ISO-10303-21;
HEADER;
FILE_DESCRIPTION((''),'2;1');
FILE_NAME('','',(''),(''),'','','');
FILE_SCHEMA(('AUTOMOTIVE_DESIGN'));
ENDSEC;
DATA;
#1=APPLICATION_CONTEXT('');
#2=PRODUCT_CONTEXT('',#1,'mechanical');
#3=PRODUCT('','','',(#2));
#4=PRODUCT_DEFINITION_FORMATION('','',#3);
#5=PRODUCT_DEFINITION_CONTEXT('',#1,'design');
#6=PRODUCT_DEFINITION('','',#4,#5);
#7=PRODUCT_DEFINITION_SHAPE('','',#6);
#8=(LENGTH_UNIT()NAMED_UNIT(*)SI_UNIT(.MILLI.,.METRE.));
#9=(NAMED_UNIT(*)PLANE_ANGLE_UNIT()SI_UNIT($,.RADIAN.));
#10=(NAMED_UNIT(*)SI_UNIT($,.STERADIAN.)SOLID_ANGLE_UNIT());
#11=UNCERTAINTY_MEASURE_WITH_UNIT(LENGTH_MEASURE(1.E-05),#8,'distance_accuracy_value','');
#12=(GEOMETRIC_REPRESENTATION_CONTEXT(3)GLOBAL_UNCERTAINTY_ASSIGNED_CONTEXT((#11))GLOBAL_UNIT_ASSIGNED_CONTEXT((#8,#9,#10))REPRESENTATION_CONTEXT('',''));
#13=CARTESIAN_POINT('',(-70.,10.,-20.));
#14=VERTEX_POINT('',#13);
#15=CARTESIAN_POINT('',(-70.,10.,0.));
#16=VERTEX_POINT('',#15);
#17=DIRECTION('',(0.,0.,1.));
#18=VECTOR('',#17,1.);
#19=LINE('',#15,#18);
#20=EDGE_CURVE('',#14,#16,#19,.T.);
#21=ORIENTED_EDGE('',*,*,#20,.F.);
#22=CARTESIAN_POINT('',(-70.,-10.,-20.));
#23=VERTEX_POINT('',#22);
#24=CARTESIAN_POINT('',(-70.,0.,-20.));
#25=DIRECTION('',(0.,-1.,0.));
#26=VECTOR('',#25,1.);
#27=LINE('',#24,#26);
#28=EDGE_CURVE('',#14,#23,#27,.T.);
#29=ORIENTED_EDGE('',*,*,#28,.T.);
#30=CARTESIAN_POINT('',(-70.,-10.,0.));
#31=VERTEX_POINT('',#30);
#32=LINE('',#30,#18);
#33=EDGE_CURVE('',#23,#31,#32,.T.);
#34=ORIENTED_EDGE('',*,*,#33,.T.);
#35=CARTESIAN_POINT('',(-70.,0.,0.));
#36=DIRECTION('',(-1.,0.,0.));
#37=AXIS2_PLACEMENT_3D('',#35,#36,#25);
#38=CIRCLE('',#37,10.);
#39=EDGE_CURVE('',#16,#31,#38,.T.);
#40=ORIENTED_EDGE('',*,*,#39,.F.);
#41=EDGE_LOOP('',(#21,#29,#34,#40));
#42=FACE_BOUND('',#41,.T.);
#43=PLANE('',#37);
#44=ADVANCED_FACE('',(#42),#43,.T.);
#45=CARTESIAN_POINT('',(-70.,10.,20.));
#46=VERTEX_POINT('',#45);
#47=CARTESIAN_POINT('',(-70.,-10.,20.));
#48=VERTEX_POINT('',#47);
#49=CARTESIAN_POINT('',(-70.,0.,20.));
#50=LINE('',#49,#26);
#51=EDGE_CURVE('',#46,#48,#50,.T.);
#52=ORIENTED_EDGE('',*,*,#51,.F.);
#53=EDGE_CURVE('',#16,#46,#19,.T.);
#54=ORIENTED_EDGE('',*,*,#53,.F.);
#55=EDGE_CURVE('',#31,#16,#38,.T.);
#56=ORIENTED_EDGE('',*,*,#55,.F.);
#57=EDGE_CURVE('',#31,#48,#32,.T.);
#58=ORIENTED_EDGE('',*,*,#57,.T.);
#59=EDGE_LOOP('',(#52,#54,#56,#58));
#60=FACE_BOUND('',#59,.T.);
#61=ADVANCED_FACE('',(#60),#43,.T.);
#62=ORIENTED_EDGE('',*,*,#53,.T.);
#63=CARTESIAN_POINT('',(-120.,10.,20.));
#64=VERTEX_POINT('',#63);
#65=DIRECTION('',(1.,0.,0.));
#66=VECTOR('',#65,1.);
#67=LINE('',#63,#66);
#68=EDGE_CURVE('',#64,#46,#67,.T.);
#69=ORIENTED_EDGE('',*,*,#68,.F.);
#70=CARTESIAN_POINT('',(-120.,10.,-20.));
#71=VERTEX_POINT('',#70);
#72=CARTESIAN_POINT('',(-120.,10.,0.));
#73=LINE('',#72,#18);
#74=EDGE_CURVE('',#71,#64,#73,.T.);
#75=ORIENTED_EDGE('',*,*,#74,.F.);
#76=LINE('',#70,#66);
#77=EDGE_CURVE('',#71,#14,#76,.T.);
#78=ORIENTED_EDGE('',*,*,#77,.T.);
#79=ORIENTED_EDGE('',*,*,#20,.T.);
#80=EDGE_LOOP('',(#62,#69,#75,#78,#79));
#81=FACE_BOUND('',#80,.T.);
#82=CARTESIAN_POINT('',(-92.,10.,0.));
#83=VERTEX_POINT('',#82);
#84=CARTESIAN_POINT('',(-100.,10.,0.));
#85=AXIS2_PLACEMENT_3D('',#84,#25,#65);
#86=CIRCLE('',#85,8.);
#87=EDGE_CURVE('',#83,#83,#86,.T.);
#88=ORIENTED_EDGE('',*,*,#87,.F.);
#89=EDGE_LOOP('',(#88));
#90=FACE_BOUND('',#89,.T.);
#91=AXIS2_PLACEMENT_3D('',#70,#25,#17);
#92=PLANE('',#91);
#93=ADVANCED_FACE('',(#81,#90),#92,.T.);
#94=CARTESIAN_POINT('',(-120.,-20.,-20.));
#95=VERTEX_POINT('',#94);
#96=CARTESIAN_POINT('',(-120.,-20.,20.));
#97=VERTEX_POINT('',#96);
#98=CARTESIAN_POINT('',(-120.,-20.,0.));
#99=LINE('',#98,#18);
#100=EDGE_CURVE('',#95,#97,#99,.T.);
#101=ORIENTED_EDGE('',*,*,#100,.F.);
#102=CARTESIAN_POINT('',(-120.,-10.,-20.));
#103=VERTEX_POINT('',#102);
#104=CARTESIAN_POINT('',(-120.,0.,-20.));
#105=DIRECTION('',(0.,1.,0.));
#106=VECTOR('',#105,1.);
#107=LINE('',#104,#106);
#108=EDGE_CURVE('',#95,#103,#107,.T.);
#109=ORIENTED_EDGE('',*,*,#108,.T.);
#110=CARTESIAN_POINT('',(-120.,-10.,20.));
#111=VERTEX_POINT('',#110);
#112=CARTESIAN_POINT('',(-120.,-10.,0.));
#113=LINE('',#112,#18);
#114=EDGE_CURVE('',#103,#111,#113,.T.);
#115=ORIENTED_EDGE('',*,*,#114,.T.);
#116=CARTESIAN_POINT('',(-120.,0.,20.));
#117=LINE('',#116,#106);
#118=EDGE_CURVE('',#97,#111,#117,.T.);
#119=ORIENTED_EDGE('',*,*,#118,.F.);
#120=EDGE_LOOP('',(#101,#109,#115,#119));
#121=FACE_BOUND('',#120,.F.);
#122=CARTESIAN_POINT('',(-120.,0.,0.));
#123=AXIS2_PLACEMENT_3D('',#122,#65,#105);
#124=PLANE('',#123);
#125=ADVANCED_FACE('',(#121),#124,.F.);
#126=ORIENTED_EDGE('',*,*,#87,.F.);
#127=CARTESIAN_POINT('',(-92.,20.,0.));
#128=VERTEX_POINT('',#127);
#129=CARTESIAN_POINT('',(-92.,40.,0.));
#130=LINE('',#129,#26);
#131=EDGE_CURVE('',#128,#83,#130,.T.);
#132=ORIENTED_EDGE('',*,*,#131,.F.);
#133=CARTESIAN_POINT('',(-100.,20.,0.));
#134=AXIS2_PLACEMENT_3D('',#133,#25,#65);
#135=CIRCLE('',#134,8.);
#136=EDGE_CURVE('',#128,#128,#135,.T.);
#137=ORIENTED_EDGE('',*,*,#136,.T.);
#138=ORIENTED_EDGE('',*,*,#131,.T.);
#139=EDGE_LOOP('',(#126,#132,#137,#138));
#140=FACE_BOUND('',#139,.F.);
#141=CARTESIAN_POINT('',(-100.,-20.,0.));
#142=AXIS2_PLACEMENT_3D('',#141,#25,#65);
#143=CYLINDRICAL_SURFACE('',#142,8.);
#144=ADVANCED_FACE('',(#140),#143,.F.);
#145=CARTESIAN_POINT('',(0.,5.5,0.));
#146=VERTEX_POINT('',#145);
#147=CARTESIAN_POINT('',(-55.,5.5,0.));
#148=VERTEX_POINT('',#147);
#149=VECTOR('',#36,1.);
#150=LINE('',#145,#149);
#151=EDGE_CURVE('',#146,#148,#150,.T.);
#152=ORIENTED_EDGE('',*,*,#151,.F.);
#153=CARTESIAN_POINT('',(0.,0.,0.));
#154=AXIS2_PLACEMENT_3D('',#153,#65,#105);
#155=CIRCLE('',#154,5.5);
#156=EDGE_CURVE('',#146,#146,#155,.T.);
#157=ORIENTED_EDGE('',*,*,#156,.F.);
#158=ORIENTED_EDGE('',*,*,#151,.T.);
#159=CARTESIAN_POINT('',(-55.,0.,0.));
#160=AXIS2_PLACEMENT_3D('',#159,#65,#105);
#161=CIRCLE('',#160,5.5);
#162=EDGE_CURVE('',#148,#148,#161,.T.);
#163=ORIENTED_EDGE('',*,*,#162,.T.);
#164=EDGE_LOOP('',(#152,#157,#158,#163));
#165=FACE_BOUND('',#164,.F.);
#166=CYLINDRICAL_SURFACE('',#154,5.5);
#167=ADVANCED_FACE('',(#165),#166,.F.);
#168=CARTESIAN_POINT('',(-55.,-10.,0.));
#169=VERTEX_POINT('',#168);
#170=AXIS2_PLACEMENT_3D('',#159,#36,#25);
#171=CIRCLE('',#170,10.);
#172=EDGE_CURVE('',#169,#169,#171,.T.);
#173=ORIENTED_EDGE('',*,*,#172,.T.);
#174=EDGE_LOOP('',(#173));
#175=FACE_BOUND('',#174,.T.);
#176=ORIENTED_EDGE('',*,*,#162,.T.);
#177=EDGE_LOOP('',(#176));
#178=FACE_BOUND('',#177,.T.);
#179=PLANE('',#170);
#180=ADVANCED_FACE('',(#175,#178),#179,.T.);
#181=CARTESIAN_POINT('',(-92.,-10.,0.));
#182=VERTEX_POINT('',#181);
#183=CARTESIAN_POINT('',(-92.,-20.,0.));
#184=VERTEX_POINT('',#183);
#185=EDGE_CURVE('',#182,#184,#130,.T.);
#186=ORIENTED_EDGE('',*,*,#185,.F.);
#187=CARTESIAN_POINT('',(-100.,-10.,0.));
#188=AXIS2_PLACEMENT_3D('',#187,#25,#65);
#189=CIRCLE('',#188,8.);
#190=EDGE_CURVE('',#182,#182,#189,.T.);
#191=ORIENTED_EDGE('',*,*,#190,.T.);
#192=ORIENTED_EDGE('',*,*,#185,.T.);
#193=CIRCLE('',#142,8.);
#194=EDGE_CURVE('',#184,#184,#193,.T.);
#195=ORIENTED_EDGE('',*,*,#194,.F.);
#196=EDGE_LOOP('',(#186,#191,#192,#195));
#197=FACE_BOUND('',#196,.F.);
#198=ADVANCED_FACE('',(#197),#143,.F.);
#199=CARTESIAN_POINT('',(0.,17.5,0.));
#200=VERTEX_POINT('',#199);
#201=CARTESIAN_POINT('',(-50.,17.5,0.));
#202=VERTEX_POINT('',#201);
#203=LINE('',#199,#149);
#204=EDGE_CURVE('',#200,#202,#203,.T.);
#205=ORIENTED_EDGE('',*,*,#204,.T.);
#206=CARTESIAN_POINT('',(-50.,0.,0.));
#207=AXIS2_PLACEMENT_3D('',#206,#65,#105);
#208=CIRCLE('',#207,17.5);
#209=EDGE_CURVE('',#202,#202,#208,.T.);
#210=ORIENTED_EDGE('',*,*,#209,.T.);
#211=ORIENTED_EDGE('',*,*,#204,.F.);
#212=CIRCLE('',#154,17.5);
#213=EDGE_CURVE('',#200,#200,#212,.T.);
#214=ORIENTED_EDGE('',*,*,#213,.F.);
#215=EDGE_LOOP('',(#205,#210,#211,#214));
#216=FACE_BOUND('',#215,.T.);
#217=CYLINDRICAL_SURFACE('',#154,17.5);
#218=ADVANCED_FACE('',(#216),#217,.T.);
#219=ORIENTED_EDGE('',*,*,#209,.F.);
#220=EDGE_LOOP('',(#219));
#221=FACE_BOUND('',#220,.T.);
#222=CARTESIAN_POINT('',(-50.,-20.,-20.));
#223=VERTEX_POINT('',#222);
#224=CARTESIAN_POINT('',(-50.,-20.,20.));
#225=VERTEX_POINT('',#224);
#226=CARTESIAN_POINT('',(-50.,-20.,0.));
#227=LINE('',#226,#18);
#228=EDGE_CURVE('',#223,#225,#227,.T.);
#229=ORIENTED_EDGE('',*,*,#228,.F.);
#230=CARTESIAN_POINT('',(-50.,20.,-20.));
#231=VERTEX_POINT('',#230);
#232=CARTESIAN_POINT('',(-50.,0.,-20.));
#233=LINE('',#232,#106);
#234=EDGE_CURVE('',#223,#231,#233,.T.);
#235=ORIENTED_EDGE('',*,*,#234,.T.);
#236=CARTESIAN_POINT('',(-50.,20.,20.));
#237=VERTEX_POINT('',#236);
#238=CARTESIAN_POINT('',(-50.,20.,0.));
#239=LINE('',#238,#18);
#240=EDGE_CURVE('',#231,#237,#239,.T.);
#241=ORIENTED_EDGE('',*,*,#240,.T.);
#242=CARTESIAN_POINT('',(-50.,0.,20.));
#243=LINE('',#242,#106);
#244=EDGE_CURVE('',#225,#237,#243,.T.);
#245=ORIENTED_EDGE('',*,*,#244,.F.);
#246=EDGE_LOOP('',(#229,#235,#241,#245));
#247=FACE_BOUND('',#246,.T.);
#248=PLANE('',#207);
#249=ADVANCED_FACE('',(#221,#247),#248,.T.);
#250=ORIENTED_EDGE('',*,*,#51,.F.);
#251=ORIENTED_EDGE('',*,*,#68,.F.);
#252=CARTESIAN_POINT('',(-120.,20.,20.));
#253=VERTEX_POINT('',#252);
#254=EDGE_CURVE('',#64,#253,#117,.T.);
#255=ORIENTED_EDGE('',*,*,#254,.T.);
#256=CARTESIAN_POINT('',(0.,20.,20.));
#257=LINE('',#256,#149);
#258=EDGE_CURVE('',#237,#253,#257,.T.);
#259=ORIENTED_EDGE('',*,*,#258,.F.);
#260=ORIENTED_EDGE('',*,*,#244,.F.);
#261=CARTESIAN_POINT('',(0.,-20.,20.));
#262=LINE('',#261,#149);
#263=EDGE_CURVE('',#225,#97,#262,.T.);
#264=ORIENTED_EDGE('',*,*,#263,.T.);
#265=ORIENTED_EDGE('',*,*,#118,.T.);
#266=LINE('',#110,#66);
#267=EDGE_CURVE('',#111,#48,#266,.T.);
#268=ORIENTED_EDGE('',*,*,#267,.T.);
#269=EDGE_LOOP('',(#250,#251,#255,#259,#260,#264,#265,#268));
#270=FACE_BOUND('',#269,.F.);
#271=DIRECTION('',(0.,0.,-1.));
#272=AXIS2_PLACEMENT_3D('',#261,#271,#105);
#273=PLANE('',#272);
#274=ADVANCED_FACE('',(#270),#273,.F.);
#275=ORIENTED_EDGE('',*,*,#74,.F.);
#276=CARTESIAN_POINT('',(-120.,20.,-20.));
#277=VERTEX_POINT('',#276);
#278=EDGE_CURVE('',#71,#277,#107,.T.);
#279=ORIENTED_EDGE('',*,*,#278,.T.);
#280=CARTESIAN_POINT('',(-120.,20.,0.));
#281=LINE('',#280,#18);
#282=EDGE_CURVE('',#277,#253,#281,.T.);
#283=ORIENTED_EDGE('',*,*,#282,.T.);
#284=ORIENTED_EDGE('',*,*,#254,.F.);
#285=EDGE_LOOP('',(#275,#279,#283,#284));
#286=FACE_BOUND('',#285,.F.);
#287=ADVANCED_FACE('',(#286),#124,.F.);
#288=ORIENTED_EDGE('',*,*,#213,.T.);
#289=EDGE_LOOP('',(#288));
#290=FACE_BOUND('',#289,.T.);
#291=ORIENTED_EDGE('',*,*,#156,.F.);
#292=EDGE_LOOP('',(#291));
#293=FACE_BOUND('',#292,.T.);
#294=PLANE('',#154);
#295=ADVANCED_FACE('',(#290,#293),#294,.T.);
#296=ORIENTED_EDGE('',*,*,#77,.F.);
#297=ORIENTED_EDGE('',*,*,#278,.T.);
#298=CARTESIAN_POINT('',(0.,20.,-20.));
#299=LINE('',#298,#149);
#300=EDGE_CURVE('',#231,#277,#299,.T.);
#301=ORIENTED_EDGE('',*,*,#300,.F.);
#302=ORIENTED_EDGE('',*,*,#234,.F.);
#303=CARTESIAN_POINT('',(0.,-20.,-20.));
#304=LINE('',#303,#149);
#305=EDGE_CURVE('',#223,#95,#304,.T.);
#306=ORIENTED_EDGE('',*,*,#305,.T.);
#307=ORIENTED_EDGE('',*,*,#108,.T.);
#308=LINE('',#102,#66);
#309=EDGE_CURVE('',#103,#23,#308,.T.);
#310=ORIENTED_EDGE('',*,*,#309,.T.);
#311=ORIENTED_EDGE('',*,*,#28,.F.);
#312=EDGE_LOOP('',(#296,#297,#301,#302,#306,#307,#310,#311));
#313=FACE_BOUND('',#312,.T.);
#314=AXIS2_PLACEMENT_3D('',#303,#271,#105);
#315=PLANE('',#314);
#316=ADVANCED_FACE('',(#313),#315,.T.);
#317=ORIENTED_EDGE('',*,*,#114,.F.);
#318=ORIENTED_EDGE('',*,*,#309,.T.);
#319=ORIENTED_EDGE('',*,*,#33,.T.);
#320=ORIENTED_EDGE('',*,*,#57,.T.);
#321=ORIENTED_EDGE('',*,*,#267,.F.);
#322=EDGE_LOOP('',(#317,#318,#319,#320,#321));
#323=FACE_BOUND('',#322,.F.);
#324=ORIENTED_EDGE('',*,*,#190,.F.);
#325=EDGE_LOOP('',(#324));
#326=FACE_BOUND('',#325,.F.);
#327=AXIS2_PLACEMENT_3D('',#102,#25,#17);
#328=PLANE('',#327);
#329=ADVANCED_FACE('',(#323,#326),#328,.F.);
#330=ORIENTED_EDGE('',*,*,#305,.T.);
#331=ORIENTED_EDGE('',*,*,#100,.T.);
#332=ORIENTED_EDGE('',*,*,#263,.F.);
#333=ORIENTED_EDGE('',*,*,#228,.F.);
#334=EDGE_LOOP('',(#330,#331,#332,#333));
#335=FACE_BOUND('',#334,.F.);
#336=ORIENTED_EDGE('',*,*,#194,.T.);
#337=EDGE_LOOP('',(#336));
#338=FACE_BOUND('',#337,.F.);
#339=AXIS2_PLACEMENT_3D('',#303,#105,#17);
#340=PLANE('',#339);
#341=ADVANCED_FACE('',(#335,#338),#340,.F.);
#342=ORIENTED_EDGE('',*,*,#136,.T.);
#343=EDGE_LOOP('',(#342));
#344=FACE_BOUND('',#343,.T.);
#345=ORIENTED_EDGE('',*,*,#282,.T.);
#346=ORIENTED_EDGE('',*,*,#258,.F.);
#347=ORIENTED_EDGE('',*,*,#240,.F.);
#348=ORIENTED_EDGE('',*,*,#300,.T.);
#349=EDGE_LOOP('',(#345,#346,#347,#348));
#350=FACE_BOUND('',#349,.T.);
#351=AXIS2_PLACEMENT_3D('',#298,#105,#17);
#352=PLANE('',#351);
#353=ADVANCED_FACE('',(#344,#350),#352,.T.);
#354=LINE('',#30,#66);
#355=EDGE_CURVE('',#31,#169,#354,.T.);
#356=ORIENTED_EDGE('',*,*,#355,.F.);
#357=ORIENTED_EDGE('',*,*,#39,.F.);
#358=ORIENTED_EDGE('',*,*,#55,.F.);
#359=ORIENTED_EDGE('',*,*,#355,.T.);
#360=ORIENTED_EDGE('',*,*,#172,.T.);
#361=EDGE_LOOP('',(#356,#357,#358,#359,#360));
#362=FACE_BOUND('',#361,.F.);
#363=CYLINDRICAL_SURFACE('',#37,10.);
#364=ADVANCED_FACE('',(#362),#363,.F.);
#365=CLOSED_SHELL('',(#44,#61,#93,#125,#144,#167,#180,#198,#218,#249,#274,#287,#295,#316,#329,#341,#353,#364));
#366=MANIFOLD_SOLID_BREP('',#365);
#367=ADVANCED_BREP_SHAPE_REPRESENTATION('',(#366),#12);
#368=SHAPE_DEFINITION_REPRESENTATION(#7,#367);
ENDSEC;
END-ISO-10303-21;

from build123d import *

# Parameters (mm, degrees)
F0_W      = 40
F0_H      = 40
F1_DEPTH  = 120
F2_W      = 40
F2_H      = 40
F2_R      = 17.5
F3_DEPTH  = 50
F4_R      = 5.5
F5_DEPTH  = 100
F6_W      = 20
F6_H      = 40
F7_DEPTH  = 50
F8_R      = 10
F9_DEPTH  = 15
F10_R     = 8
F11_DEPTH = 60


with BuildPart() as f1:
    # F0 (on Right) → F1 (new body)
    with BuildSketch(Plane.YZ):
        Rectangle(F0_W, F0_H)
    extrude(amount=-F1_DEPTH)

    # F2 (on face) → F3 (cut)
    with BuildSketch(Plane.YZ):
        Rectangle(F2_W, F2_H)
        Circle(F2_R, mode=Mode.SUBTRACT)
    extrude(amount=-F3_DEPTH, mode=Mode.SUBTRACT)

    # F4 (on face) → F5 (cut)
    with BuildSketch(Plane.YZ):
        Circle(F4_R)
    extrude(amount=-F5_DEPTH, mode=Mode.SUBTRACT)

    # F6 (on face) → F7 (cut)
    with BuildSketch(Plane(origin=(-120, 0, 0), x_dir=(0, -1, 0), z_dir=(-1, 0, 0))):
        Rectangle(F6_W, F6_H)
    extrude(amount=-F7_DEPTH, mode=Mode.SUBTRACT)

    # F8 (on face) → F9 (cut)
    with BuildSketch(Plane(origin=(-70, 0, 0), x_dir=(0, -1, 0), z_dir=(-1, 0, 0))):
        Circle(F8_R)
    extrude(amount=-F9_DEPTH, mode=Mode.SUBTRACT)

    # F10 (on face) → F11 (cut, symmetric)
    with BuildSketch(Plane.XZ.offset(20)):
        with Locations((-100, 0)):
            Circle(F10_R)
    extrude(amount=F11_DEPTH, both=True, mode=Mode.SUBTRACT)


solid = f1.part
